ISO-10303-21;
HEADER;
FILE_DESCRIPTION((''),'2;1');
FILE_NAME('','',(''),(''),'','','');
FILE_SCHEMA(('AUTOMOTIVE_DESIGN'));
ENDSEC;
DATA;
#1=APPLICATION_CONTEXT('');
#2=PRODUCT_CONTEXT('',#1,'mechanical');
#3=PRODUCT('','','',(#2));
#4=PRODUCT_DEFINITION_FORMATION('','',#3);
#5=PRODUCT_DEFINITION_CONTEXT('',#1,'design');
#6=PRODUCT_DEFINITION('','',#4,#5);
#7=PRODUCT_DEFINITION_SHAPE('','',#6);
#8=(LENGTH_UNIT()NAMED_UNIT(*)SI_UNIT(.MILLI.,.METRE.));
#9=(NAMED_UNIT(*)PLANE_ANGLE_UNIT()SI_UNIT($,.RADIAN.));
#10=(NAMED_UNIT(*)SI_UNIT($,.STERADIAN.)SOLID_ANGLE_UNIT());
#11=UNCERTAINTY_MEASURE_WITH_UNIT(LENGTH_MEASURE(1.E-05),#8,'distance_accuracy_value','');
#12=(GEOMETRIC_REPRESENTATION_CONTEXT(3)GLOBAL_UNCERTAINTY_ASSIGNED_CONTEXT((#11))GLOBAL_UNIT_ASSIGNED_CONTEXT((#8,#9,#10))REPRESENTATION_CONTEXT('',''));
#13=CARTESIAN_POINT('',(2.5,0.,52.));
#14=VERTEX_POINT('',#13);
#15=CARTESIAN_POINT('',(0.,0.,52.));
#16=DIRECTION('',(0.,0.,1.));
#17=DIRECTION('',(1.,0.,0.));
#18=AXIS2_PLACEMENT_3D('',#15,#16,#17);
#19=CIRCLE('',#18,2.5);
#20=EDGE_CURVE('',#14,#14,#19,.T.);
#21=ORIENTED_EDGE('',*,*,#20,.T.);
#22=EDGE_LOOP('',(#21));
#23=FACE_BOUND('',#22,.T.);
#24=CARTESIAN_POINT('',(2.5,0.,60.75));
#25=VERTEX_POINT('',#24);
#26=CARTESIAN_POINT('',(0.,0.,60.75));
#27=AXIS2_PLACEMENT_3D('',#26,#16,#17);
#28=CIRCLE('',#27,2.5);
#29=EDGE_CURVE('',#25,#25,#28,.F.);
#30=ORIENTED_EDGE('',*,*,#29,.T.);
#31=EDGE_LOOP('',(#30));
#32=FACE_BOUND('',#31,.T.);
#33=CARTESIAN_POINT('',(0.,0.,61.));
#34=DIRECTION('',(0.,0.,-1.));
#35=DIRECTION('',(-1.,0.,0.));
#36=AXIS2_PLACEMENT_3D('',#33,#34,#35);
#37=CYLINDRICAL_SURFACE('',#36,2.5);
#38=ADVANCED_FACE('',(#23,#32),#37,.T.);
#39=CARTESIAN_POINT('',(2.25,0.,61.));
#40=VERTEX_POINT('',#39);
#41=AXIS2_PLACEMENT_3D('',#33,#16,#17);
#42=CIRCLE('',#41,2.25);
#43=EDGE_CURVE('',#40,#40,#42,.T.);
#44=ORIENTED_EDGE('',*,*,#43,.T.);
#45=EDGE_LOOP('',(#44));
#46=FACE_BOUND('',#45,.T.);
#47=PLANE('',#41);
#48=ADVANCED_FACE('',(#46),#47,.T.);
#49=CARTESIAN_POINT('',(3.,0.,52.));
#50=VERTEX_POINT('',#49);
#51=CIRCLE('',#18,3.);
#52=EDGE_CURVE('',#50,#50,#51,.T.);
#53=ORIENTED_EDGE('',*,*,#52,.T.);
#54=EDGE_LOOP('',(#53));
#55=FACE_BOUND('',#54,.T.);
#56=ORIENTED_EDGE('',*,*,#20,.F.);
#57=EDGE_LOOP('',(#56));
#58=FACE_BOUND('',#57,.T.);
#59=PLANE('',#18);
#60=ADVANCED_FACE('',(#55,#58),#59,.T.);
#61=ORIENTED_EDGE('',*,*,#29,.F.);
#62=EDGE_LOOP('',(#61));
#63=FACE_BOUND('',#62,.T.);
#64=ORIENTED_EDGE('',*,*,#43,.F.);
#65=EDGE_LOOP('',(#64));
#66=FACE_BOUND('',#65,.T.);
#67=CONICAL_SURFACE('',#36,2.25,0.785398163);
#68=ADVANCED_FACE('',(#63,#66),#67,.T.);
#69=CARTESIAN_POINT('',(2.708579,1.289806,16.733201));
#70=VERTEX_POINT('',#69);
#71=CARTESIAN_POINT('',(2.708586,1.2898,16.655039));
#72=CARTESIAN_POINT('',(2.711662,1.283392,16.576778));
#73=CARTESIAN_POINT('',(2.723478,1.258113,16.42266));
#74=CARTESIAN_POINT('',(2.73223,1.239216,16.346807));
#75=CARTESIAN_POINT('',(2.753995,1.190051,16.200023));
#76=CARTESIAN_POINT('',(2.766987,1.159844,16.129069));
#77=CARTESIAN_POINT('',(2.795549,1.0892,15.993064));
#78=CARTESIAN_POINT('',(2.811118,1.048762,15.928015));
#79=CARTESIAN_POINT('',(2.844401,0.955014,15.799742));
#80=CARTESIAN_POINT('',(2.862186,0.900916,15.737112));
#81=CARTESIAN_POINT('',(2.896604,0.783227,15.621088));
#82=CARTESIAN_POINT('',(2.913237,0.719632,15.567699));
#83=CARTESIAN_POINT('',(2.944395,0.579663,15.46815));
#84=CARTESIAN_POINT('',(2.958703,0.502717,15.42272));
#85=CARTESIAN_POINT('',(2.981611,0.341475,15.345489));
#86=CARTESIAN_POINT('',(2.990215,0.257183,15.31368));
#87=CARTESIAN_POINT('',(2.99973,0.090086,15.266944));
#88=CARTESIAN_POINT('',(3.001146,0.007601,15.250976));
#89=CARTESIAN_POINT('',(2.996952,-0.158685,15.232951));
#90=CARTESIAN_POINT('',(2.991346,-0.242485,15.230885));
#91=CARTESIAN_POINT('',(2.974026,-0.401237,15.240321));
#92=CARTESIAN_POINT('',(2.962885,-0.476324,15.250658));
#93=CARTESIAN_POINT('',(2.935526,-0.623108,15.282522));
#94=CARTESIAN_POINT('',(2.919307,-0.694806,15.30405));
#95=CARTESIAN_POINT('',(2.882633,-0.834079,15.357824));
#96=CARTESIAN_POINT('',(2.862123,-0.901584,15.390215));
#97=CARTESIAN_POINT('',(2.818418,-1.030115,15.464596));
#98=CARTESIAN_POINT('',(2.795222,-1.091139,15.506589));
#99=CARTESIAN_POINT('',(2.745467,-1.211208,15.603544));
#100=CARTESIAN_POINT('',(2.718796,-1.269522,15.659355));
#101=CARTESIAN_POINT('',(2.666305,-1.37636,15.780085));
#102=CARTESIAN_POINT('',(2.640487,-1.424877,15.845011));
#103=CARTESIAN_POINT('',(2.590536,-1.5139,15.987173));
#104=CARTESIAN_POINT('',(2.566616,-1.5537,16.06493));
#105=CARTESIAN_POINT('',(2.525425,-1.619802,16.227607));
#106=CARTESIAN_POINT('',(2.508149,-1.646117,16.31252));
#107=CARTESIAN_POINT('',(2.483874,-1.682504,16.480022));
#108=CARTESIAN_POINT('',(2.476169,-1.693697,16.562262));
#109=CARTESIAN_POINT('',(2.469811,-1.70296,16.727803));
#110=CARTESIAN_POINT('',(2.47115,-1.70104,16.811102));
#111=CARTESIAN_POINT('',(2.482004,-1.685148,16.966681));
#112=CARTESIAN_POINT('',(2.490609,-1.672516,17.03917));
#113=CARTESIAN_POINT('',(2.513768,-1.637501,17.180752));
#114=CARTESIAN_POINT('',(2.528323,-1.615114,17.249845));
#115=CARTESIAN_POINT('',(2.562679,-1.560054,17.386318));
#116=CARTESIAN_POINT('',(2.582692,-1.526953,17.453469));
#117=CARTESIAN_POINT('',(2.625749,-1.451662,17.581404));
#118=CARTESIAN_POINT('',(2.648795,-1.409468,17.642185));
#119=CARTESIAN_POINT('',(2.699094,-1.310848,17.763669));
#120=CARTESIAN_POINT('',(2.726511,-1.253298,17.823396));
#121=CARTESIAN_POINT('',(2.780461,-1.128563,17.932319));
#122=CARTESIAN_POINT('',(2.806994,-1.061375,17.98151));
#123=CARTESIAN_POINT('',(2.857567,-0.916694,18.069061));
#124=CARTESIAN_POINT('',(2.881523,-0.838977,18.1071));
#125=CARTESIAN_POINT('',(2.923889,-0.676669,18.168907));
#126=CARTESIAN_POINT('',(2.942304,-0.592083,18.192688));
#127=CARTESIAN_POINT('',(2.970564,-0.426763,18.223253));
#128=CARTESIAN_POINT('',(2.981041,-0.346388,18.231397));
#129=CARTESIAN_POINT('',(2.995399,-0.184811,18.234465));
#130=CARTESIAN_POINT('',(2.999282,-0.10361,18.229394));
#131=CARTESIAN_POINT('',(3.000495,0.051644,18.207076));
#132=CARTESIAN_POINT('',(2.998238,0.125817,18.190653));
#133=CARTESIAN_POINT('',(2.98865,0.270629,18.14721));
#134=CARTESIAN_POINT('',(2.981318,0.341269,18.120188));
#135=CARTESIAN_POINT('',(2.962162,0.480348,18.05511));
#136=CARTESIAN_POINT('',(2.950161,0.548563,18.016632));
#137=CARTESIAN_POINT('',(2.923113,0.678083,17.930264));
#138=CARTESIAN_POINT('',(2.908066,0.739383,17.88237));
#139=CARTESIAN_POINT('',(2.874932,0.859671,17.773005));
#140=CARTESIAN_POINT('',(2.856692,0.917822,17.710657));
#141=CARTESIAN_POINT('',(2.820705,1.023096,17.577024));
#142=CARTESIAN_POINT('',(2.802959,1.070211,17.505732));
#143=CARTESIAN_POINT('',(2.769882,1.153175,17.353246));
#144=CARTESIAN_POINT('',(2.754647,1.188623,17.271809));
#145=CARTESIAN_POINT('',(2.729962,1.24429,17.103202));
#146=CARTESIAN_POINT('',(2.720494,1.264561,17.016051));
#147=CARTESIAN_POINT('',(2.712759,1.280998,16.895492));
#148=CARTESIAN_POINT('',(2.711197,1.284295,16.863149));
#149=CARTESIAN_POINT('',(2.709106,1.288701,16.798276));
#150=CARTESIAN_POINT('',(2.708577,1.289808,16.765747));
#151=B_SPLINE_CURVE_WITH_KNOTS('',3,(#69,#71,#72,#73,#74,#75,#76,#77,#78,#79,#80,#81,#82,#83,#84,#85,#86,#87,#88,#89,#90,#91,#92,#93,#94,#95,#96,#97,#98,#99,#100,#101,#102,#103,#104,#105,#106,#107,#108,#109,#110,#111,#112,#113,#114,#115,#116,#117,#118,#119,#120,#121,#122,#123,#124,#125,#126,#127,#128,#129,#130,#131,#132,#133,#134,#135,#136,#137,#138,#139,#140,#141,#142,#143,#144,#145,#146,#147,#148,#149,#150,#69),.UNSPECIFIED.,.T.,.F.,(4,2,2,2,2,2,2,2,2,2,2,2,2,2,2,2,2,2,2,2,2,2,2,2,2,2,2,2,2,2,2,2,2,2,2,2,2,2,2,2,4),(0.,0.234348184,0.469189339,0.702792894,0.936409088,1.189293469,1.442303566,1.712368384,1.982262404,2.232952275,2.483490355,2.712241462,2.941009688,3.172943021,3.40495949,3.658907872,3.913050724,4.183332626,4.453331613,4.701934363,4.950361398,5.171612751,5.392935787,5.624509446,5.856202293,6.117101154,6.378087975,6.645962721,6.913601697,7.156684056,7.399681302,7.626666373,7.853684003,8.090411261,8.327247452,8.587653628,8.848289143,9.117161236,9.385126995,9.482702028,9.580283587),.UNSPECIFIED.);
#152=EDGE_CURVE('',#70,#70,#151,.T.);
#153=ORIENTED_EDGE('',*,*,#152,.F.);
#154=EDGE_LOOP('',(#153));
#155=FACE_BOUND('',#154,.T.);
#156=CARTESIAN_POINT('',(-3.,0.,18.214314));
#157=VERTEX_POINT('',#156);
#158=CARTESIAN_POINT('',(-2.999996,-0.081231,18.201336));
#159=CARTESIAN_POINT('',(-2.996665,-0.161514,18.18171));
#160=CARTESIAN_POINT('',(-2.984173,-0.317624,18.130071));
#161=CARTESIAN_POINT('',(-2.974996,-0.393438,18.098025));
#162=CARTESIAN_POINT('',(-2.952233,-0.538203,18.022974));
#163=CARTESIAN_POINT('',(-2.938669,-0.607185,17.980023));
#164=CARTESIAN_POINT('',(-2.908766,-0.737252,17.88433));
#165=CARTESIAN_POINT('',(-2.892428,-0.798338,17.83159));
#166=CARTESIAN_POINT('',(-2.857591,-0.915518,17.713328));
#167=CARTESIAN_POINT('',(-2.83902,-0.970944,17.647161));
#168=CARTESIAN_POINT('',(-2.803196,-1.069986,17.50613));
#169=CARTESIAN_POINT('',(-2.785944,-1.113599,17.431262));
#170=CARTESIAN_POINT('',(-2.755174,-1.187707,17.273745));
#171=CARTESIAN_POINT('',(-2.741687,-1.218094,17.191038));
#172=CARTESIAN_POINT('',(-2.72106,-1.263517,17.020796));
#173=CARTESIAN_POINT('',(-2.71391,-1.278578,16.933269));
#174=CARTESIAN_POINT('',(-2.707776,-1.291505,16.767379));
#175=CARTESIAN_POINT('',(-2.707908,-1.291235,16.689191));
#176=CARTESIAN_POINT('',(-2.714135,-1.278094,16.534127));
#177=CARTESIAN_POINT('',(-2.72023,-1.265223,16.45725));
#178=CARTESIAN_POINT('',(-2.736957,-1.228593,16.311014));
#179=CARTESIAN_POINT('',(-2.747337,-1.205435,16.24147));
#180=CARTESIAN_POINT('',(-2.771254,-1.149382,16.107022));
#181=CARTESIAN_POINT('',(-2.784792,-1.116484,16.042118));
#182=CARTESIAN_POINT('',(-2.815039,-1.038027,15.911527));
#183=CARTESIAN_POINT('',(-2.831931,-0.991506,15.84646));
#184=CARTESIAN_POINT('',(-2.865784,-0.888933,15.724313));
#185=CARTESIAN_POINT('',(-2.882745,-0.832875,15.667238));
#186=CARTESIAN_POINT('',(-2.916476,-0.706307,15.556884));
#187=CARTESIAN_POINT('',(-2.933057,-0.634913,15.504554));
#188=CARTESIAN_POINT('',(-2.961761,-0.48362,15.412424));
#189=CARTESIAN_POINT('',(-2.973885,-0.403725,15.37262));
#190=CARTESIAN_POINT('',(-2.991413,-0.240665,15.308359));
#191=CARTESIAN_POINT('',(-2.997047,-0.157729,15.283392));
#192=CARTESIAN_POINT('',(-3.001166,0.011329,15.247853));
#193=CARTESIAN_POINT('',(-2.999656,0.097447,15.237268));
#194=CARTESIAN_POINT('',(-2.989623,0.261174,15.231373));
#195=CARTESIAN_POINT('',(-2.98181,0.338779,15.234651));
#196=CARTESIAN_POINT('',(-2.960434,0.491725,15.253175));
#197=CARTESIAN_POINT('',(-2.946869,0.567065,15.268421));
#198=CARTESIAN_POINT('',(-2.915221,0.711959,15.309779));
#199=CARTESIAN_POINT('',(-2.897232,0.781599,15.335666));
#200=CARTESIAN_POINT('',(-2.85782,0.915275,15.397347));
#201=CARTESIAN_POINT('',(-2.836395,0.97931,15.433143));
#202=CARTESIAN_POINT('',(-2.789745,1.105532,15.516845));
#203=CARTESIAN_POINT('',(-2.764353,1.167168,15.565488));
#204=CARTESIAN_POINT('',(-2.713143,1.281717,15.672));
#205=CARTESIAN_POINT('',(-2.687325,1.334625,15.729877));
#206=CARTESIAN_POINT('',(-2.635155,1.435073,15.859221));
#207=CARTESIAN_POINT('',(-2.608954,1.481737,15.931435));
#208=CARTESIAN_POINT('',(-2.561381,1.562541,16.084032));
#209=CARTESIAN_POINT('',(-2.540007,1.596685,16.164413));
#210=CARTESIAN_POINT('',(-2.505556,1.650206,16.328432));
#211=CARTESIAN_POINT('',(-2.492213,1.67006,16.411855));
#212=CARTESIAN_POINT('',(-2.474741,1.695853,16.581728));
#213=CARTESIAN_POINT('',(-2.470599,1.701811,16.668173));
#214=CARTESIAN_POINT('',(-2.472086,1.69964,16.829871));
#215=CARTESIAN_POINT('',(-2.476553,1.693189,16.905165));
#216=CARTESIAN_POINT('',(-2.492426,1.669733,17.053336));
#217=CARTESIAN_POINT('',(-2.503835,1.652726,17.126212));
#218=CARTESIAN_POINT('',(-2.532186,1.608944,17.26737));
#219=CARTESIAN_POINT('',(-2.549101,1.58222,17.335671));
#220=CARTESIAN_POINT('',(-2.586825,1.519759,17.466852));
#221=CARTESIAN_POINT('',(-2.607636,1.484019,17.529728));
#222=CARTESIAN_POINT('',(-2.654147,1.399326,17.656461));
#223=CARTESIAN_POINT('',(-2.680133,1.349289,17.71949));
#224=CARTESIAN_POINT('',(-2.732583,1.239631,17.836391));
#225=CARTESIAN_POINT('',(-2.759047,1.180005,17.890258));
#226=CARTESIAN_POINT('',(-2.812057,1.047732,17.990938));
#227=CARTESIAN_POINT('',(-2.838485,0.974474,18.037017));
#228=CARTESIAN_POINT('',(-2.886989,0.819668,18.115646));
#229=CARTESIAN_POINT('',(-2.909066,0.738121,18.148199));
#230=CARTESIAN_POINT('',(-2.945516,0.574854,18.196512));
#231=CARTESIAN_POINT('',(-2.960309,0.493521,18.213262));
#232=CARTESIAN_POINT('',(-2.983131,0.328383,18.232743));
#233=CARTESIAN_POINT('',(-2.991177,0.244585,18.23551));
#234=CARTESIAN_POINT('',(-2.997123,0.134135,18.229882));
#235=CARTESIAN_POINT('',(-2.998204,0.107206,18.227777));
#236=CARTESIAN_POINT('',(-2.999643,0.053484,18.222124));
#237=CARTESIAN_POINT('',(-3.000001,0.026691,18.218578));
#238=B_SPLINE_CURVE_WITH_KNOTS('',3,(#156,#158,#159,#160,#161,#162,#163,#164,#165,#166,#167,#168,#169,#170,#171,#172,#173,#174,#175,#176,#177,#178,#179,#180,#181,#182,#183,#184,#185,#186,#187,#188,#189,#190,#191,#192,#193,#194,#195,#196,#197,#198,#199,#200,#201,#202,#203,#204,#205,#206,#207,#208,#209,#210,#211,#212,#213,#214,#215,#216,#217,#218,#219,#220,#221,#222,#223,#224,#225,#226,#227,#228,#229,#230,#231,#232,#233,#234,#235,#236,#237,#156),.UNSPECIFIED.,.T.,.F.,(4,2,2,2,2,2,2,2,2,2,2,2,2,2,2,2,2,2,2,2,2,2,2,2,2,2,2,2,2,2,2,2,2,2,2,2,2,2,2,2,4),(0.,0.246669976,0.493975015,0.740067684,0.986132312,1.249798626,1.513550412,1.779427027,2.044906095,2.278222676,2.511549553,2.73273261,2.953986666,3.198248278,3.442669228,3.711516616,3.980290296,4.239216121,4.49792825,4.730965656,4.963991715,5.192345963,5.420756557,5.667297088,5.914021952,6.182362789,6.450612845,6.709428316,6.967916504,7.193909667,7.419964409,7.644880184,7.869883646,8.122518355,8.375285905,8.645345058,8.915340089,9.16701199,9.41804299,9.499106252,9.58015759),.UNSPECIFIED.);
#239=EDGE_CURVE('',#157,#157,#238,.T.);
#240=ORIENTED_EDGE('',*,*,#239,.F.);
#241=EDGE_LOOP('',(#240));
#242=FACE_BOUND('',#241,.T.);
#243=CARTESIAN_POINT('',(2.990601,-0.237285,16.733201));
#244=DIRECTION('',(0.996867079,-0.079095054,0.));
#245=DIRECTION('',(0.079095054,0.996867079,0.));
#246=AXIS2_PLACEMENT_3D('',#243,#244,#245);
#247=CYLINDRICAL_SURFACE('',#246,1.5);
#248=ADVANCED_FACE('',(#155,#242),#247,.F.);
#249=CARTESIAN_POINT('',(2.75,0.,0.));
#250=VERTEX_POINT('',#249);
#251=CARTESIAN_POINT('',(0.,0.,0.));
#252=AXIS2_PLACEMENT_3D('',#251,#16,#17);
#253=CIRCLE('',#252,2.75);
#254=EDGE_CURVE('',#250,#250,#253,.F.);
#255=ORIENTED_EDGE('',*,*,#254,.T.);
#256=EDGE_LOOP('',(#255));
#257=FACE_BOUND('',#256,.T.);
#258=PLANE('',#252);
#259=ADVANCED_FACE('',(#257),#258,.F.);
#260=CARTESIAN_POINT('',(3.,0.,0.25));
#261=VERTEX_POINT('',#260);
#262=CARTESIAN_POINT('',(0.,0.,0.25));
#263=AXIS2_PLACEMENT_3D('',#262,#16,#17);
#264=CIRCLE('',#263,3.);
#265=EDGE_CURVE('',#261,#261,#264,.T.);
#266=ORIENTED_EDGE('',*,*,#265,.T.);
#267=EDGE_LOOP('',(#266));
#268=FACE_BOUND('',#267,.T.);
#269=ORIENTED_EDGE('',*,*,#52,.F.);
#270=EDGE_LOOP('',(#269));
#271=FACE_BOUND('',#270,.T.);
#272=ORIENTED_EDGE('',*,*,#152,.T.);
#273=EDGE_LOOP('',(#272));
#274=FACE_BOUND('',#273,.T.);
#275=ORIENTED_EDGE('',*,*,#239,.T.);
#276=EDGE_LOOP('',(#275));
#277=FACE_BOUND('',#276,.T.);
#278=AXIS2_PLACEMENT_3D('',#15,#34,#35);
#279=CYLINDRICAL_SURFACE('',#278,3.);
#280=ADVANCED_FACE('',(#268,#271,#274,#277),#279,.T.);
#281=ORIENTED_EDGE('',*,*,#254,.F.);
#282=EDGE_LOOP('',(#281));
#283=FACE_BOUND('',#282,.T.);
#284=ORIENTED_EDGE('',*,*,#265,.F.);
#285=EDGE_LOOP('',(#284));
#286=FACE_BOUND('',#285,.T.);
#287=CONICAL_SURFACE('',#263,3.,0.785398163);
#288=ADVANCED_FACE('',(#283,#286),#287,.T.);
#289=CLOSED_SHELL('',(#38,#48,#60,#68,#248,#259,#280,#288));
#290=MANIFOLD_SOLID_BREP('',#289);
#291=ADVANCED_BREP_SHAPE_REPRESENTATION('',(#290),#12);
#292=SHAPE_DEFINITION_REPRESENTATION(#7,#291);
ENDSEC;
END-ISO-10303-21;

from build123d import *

# Parameters (mm, degrees)
SKETCH1_R             = 3
BOSS_EXTRUDE1_DEPTH   = 52
SKETCH2_R             = 2.5
BOSS_EXTRUDE2_DEPTH   = 9
CHAMFER1_SIZE         = 0.25
CHAMFER2_SIZE         = 0.25
F_3_0MM_DOWEL_HOLE1_D = 3


with BuildPart() as part:
    # Sketch1 → Boss-Extrude1 (new body)
    with BuildSketch(Plane.XY):
        with Locations(Location((0, 0, 0), (0, 0, 180))):
            Circle(SKETCH1_R)
    extrude(amount=BOSS_EXTRUDE1_DEPTH)

    # Sketch2 → Boss-Extrude2 (add)
    with BuildSketch(Plane.XY.offset(52)):
        Circle(SKETCH2_R)
    extrude(amount=BOSS_EXTRUDE2_DEPTH)

    # Chamfer1
    chamfer1_edges = [part.edges().sort_by_distance(p)[0] for p in [
        (-2.5, 0, 61),
    ]]
    chamfer(chamfer1_edges, length=CHAMFER1_SIZE)

    # Chamfer2
    chamfer2_edges = [part.edges().sort_by_distance(p)[0] for p in [
        (3, 0, 0),
    ]]
    chamfer(chamfer2_edges, length=CHAMFER2_SIZE)

    # Ø3.0mm Dowel Hole1 (through all)
    with Locations(Plane(origin=(2.990601236, -0.237285162, 16.733200531), x_dir=(0.079095054135, 0.996867078607, 0), z_dir=(0.996867078607, -0.079095054135, 0))):
        with Locations((0, 0)):
            Hole(F_3_0MM_DOWEL_HOLE1_D / 2)


solid = part.part
